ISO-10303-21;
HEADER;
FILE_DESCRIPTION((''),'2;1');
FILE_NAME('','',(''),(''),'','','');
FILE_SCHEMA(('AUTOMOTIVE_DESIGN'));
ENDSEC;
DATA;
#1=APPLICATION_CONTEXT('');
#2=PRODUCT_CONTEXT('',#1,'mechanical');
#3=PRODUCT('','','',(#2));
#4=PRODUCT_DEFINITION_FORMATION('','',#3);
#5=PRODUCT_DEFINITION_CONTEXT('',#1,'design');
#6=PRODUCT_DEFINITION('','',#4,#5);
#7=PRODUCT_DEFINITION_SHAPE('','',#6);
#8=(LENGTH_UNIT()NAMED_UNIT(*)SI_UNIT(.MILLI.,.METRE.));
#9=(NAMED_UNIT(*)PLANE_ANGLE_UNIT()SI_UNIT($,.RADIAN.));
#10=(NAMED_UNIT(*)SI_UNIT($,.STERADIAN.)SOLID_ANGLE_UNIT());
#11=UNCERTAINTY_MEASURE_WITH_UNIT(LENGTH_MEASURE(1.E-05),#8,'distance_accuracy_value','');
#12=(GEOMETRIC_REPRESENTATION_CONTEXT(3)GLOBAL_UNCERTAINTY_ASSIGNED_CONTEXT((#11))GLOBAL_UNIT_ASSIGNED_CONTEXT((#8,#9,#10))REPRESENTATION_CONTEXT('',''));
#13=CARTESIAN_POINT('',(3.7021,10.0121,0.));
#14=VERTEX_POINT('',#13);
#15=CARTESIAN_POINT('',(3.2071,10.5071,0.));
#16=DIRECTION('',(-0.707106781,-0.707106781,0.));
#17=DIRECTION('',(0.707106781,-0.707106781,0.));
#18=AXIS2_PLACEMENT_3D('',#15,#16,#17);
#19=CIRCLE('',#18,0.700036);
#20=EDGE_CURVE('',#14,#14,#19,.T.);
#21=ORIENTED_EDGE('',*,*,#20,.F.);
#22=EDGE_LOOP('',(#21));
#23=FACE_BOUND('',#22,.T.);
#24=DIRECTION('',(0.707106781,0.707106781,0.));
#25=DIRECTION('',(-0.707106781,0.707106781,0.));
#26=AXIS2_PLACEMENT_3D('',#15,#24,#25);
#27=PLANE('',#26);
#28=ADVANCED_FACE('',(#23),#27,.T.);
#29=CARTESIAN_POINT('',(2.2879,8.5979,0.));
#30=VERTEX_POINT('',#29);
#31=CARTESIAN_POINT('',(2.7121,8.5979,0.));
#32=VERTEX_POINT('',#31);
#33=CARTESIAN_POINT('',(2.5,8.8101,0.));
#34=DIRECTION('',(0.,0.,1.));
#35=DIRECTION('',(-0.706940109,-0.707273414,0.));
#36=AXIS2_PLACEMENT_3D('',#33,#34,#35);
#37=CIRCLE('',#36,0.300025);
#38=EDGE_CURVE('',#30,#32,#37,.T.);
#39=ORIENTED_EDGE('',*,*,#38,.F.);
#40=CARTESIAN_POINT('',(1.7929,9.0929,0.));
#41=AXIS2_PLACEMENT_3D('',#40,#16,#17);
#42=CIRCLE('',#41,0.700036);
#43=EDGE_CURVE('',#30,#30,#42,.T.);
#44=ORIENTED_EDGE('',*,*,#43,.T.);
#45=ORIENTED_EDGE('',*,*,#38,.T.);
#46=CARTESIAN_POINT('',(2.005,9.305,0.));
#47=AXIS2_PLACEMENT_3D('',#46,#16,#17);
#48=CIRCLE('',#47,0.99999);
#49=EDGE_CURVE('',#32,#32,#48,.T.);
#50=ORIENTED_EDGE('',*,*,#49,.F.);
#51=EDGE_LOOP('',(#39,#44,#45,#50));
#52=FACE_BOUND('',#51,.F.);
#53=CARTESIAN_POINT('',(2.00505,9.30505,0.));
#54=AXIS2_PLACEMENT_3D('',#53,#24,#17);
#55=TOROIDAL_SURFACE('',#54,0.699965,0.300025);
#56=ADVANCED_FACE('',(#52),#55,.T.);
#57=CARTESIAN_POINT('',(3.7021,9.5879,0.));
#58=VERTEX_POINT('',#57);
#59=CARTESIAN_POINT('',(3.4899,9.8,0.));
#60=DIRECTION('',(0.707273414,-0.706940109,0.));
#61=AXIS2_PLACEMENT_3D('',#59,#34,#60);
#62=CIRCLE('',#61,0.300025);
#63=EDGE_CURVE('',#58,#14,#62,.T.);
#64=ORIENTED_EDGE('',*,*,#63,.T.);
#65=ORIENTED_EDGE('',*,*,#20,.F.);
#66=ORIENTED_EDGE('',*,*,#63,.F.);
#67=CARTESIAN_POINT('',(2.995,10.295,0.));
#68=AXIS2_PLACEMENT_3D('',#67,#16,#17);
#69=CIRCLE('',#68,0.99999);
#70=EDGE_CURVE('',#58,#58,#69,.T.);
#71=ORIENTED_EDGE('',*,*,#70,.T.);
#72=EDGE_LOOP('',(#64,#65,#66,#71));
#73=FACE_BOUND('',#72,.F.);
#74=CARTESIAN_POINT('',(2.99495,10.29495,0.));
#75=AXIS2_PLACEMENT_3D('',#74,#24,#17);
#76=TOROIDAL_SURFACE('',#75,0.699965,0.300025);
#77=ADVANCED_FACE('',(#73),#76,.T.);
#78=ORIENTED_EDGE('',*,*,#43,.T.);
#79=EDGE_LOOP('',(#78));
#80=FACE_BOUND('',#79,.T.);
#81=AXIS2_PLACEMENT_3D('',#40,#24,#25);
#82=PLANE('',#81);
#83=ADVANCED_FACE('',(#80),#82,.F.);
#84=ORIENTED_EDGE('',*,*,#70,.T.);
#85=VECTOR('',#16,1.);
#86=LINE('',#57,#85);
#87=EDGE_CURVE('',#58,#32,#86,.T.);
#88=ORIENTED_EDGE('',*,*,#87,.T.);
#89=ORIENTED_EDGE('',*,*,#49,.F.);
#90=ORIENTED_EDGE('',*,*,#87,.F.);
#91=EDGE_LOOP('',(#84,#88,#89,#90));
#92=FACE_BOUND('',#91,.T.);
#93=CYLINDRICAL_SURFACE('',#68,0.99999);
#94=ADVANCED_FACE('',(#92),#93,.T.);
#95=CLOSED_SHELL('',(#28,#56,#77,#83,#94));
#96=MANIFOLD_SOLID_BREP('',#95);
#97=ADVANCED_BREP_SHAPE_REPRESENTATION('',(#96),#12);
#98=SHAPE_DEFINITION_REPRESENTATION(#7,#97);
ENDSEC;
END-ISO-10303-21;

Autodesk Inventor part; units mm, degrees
ref_plane "YZ Plane" through (0, 0, 0) normal (1, 0, 0) x (0, 1, 0)
ref_plane "XZ Plane" through (0, 0, 0) normal (0, 1, 0) x (-1, 0, 0)
ref_plane "XY Plane" through (0, 0, 0) normal (0, 0, 1) x (1, 0, 0)
sketch "Sketch_1" plane through (0, 0, 0) normal (0, 0, 1) x (1, 0, 0)
  line L0 (1.7929, 9.0929) -> (3.2071, 10.5071)
  line L1 (3.2071, 10.5071) -> (3.7021, 10.0121)
  arc A0 (3.7021, 9.5879) -> (3.7021, 10.0121) centre (3.4899, 9.8) ccw
  line L2 (3.7021, 9.5879) -> (2.7121, 8.5979)
  arc A1 (2.2879, 8.5979) -> (2.7121, 8.5979) centre (2.5, 8.8101) ccw
  line L3 (2.2879, 8.5979) -> (1.7929, 9.0929)
  line L4 (1.7929, 9.0929) -> (3.2071, 10.5071)
revolve "Revolution1" add sketch "Sketch_1" angle 360 about axis through (1.7929, 9.0929, 0) along (-0.7071, -0.7071, 0)
properties part number "CRBT155A_PART3" material "ステンレス鋼"
